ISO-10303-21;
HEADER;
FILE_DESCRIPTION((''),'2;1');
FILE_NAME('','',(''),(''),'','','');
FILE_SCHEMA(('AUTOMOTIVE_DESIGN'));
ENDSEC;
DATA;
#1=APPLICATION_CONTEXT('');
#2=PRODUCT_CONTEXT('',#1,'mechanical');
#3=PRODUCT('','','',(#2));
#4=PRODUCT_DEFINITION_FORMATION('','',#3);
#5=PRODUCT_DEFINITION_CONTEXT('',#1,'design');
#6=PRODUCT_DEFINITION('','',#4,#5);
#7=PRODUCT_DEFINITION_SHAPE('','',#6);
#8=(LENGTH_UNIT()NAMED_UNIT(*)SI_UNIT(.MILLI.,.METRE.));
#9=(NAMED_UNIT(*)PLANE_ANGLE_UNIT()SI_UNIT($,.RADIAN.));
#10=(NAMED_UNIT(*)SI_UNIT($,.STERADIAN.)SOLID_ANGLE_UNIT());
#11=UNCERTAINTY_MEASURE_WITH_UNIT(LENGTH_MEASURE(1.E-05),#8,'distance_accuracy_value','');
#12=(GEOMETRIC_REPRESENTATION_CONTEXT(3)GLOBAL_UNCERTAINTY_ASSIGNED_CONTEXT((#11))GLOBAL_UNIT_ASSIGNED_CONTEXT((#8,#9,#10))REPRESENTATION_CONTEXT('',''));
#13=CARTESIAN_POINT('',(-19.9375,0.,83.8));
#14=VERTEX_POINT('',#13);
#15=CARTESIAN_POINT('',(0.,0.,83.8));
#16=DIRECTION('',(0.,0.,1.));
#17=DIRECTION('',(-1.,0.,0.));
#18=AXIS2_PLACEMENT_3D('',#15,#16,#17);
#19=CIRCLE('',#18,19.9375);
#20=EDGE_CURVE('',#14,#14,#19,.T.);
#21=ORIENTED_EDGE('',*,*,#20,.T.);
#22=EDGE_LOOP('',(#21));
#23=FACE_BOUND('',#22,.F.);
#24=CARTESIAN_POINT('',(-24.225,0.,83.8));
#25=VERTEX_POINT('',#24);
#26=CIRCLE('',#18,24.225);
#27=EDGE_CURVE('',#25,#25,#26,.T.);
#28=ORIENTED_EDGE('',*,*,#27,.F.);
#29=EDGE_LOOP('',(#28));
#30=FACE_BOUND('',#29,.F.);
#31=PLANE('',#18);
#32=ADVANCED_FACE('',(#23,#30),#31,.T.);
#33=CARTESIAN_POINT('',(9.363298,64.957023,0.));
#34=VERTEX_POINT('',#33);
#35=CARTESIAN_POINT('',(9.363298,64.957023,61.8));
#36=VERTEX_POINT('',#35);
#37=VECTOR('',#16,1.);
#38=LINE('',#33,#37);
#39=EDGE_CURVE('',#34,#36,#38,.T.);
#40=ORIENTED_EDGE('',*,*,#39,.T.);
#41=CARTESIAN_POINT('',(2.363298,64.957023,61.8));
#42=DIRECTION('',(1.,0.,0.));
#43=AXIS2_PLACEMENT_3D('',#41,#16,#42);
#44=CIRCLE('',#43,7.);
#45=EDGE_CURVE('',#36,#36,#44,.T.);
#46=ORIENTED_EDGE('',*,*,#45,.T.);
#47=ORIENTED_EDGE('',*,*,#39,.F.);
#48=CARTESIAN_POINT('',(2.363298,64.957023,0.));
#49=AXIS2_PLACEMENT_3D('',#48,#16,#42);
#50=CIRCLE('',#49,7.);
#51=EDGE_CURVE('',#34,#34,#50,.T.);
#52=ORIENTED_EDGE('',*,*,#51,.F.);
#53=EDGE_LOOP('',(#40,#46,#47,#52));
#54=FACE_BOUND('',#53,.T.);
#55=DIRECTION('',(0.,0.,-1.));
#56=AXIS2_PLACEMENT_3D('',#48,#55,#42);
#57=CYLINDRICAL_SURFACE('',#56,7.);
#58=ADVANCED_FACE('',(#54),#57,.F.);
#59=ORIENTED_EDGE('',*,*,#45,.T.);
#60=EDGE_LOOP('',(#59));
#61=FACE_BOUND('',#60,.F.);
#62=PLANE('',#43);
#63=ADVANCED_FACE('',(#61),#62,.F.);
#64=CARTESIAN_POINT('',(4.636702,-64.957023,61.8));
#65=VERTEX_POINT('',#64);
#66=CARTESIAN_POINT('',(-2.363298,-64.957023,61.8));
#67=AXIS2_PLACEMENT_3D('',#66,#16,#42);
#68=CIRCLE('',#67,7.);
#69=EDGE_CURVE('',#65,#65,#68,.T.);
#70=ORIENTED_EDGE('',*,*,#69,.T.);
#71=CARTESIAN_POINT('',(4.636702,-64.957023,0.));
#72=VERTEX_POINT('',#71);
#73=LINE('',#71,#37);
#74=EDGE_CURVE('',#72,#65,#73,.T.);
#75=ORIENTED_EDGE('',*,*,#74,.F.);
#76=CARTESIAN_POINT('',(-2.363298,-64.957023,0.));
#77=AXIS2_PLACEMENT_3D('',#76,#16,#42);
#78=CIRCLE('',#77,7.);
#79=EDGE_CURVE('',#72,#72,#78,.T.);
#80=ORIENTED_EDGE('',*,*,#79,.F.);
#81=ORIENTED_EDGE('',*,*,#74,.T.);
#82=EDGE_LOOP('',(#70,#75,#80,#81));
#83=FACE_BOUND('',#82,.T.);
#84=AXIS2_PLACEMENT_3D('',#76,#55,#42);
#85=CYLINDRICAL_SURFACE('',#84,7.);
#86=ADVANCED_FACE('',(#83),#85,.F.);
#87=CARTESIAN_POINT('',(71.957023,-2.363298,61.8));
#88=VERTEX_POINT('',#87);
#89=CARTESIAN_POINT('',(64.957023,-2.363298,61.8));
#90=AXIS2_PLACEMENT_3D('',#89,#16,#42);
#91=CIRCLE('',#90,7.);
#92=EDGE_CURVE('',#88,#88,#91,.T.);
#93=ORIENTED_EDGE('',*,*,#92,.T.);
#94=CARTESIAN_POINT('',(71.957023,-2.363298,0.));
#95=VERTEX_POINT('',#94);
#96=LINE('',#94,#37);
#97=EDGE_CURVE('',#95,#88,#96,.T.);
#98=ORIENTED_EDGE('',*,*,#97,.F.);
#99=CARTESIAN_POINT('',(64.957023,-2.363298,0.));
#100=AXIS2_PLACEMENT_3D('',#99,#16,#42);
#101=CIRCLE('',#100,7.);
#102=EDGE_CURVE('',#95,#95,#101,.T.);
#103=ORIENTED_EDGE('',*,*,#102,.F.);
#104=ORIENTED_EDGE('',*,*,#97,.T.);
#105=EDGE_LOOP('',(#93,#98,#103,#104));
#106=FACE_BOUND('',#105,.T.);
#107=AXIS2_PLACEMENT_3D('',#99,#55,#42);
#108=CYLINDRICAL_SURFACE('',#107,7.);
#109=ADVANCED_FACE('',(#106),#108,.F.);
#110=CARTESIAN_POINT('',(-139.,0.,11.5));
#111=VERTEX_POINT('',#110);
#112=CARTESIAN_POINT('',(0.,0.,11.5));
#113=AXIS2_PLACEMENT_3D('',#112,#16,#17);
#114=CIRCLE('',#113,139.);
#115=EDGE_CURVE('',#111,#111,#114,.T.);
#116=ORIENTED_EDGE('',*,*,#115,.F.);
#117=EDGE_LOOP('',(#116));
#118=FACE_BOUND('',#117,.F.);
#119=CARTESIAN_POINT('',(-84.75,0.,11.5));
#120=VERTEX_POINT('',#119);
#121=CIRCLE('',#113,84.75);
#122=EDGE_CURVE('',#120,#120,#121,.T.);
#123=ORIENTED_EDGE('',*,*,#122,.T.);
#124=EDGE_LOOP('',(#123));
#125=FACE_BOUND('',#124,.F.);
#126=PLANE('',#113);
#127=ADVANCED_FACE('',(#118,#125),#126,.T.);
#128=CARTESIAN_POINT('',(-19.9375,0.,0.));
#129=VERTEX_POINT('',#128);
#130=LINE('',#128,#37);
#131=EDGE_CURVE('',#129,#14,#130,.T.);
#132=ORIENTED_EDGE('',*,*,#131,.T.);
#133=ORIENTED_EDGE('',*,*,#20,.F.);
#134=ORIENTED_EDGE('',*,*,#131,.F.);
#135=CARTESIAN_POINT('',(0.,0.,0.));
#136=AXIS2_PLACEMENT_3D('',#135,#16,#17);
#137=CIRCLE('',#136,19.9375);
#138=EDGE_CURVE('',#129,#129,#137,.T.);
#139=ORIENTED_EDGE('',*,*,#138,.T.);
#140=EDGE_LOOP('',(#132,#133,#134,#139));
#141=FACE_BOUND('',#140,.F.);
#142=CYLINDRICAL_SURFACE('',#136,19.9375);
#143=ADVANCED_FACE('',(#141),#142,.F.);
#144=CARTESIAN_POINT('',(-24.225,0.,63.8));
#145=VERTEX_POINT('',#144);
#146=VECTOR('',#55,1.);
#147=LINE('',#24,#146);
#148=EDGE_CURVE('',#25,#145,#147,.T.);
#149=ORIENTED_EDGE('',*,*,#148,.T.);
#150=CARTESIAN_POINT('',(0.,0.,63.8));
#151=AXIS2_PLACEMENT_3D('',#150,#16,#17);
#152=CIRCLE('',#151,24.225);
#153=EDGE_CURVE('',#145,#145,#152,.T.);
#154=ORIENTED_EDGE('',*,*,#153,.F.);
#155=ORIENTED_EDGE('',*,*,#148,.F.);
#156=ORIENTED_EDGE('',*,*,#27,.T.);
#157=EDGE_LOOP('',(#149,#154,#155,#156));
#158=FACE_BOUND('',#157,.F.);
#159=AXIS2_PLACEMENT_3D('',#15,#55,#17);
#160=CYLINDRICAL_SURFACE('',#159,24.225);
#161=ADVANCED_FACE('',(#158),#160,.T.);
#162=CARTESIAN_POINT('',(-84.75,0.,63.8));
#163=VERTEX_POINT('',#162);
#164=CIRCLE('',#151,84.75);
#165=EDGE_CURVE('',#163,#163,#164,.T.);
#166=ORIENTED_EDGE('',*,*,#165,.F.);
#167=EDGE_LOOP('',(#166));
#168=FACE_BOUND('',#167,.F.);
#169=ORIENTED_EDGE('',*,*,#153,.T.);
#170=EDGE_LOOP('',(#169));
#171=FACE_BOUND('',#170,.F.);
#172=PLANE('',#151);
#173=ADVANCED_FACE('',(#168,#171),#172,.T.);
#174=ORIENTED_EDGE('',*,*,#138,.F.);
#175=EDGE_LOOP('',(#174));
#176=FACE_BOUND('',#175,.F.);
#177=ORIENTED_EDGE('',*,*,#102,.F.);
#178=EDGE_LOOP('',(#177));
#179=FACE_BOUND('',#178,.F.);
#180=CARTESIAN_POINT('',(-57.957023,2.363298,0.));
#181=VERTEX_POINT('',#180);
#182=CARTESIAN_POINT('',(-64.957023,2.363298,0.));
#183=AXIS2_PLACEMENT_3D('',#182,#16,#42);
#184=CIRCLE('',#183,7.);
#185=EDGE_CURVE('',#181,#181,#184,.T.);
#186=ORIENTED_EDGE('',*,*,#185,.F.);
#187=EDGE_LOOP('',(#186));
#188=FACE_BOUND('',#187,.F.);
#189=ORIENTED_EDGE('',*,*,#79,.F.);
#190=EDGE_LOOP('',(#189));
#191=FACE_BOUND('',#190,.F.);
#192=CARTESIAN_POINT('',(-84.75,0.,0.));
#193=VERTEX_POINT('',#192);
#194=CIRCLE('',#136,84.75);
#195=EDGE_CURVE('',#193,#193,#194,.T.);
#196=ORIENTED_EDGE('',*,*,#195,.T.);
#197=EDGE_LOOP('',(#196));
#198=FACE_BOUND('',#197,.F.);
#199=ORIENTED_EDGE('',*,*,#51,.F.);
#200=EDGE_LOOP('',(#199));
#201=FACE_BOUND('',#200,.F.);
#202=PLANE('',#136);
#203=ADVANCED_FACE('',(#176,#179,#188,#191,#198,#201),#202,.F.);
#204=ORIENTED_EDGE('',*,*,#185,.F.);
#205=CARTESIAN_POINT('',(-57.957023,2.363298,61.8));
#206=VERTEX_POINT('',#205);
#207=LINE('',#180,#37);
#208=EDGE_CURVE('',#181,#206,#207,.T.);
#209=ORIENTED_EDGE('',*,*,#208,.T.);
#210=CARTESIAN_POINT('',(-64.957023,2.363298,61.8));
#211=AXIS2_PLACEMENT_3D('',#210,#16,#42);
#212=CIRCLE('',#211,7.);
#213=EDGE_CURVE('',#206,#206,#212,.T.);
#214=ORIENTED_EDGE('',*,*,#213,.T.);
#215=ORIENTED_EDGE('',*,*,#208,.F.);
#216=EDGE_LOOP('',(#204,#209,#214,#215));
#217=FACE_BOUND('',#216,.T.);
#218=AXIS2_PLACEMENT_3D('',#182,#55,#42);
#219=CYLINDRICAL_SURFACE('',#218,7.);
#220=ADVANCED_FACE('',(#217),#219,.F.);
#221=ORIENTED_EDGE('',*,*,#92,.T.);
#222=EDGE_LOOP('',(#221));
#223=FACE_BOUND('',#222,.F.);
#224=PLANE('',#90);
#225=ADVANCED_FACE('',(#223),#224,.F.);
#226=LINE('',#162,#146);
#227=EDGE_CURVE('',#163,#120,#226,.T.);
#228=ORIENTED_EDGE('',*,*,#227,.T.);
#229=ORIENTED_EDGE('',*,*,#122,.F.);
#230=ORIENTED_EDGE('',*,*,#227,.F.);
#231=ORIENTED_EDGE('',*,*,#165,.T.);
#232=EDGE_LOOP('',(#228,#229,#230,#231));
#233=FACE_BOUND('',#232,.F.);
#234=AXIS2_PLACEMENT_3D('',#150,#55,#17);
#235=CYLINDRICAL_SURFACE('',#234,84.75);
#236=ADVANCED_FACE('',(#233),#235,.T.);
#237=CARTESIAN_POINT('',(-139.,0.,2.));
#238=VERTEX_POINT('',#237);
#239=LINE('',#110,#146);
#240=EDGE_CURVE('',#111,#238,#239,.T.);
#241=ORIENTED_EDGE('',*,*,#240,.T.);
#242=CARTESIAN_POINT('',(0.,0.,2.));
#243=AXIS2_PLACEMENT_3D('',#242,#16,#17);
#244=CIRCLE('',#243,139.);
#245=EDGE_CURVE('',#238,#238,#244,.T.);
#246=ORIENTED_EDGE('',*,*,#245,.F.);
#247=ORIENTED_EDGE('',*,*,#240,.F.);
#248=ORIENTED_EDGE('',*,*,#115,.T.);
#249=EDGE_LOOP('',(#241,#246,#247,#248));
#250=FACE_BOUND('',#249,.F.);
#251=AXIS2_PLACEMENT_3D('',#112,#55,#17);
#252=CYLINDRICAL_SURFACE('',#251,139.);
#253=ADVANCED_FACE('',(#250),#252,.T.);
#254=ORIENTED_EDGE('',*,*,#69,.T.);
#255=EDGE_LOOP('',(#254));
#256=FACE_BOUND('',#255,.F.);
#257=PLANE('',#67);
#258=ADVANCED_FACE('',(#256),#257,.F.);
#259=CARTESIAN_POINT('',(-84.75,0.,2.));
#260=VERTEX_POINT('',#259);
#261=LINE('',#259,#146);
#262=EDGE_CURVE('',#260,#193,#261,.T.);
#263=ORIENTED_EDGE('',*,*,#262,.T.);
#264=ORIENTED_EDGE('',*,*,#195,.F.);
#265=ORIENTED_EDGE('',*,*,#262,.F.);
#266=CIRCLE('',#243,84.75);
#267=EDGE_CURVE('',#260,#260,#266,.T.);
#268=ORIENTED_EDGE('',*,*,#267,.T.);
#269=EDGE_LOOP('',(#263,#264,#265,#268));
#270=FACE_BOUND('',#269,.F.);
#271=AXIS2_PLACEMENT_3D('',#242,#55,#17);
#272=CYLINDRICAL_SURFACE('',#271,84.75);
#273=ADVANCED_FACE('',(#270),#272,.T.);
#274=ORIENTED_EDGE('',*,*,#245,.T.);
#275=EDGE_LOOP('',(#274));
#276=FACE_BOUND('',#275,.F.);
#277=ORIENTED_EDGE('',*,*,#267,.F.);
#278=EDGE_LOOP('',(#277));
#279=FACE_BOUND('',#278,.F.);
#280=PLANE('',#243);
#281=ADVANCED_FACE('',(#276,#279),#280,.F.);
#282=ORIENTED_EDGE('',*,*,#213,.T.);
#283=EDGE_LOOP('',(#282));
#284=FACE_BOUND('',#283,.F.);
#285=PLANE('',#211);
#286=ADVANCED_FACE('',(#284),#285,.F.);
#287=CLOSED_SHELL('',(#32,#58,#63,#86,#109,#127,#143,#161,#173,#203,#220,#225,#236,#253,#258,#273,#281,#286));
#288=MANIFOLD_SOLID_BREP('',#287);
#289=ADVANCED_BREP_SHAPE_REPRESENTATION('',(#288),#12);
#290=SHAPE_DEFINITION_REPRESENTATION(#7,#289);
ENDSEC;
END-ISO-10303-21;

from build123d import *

# Parameters (mm, degrees)
F2_R     = 7
F3_DEPTH = 61.8


with BuildPart() as f1:
    # F0 (on Front) → F1 (revolve)
    with BuildSketch(Plane.XZ):
        Polygon((-84.75, 0), (-19.9375, 0), (-19.9375, 83.8), (-24.225, 83.8), (-24.225, 63.8), (-84.75, 63.8), (-84.75, 11.5), (-139, 11.5), (-139, 2), (-84.75, 2), align=None)
    revolve(axis=Axis((0, 0, 41.9), (0, 0, 1)))

    # F2 (on Top) → F3 (cut)
    with BuildSketch(Plane.XY):
        with Locations((64.957023, -2.363298)):
            Circle(F2_R)
        with Locations((2.363298, 64.957023)):
            Circle(F2_R)
        with Locations((-64.957023, 2.363298)):
            Circle(F2_R)
        with Locations((-2.363298, -64.957023)):
            Circle(F2_R)
    extrude(amount=F3_DEPTH, mode=Mode.SUBTRACT)


solid = f1.part
